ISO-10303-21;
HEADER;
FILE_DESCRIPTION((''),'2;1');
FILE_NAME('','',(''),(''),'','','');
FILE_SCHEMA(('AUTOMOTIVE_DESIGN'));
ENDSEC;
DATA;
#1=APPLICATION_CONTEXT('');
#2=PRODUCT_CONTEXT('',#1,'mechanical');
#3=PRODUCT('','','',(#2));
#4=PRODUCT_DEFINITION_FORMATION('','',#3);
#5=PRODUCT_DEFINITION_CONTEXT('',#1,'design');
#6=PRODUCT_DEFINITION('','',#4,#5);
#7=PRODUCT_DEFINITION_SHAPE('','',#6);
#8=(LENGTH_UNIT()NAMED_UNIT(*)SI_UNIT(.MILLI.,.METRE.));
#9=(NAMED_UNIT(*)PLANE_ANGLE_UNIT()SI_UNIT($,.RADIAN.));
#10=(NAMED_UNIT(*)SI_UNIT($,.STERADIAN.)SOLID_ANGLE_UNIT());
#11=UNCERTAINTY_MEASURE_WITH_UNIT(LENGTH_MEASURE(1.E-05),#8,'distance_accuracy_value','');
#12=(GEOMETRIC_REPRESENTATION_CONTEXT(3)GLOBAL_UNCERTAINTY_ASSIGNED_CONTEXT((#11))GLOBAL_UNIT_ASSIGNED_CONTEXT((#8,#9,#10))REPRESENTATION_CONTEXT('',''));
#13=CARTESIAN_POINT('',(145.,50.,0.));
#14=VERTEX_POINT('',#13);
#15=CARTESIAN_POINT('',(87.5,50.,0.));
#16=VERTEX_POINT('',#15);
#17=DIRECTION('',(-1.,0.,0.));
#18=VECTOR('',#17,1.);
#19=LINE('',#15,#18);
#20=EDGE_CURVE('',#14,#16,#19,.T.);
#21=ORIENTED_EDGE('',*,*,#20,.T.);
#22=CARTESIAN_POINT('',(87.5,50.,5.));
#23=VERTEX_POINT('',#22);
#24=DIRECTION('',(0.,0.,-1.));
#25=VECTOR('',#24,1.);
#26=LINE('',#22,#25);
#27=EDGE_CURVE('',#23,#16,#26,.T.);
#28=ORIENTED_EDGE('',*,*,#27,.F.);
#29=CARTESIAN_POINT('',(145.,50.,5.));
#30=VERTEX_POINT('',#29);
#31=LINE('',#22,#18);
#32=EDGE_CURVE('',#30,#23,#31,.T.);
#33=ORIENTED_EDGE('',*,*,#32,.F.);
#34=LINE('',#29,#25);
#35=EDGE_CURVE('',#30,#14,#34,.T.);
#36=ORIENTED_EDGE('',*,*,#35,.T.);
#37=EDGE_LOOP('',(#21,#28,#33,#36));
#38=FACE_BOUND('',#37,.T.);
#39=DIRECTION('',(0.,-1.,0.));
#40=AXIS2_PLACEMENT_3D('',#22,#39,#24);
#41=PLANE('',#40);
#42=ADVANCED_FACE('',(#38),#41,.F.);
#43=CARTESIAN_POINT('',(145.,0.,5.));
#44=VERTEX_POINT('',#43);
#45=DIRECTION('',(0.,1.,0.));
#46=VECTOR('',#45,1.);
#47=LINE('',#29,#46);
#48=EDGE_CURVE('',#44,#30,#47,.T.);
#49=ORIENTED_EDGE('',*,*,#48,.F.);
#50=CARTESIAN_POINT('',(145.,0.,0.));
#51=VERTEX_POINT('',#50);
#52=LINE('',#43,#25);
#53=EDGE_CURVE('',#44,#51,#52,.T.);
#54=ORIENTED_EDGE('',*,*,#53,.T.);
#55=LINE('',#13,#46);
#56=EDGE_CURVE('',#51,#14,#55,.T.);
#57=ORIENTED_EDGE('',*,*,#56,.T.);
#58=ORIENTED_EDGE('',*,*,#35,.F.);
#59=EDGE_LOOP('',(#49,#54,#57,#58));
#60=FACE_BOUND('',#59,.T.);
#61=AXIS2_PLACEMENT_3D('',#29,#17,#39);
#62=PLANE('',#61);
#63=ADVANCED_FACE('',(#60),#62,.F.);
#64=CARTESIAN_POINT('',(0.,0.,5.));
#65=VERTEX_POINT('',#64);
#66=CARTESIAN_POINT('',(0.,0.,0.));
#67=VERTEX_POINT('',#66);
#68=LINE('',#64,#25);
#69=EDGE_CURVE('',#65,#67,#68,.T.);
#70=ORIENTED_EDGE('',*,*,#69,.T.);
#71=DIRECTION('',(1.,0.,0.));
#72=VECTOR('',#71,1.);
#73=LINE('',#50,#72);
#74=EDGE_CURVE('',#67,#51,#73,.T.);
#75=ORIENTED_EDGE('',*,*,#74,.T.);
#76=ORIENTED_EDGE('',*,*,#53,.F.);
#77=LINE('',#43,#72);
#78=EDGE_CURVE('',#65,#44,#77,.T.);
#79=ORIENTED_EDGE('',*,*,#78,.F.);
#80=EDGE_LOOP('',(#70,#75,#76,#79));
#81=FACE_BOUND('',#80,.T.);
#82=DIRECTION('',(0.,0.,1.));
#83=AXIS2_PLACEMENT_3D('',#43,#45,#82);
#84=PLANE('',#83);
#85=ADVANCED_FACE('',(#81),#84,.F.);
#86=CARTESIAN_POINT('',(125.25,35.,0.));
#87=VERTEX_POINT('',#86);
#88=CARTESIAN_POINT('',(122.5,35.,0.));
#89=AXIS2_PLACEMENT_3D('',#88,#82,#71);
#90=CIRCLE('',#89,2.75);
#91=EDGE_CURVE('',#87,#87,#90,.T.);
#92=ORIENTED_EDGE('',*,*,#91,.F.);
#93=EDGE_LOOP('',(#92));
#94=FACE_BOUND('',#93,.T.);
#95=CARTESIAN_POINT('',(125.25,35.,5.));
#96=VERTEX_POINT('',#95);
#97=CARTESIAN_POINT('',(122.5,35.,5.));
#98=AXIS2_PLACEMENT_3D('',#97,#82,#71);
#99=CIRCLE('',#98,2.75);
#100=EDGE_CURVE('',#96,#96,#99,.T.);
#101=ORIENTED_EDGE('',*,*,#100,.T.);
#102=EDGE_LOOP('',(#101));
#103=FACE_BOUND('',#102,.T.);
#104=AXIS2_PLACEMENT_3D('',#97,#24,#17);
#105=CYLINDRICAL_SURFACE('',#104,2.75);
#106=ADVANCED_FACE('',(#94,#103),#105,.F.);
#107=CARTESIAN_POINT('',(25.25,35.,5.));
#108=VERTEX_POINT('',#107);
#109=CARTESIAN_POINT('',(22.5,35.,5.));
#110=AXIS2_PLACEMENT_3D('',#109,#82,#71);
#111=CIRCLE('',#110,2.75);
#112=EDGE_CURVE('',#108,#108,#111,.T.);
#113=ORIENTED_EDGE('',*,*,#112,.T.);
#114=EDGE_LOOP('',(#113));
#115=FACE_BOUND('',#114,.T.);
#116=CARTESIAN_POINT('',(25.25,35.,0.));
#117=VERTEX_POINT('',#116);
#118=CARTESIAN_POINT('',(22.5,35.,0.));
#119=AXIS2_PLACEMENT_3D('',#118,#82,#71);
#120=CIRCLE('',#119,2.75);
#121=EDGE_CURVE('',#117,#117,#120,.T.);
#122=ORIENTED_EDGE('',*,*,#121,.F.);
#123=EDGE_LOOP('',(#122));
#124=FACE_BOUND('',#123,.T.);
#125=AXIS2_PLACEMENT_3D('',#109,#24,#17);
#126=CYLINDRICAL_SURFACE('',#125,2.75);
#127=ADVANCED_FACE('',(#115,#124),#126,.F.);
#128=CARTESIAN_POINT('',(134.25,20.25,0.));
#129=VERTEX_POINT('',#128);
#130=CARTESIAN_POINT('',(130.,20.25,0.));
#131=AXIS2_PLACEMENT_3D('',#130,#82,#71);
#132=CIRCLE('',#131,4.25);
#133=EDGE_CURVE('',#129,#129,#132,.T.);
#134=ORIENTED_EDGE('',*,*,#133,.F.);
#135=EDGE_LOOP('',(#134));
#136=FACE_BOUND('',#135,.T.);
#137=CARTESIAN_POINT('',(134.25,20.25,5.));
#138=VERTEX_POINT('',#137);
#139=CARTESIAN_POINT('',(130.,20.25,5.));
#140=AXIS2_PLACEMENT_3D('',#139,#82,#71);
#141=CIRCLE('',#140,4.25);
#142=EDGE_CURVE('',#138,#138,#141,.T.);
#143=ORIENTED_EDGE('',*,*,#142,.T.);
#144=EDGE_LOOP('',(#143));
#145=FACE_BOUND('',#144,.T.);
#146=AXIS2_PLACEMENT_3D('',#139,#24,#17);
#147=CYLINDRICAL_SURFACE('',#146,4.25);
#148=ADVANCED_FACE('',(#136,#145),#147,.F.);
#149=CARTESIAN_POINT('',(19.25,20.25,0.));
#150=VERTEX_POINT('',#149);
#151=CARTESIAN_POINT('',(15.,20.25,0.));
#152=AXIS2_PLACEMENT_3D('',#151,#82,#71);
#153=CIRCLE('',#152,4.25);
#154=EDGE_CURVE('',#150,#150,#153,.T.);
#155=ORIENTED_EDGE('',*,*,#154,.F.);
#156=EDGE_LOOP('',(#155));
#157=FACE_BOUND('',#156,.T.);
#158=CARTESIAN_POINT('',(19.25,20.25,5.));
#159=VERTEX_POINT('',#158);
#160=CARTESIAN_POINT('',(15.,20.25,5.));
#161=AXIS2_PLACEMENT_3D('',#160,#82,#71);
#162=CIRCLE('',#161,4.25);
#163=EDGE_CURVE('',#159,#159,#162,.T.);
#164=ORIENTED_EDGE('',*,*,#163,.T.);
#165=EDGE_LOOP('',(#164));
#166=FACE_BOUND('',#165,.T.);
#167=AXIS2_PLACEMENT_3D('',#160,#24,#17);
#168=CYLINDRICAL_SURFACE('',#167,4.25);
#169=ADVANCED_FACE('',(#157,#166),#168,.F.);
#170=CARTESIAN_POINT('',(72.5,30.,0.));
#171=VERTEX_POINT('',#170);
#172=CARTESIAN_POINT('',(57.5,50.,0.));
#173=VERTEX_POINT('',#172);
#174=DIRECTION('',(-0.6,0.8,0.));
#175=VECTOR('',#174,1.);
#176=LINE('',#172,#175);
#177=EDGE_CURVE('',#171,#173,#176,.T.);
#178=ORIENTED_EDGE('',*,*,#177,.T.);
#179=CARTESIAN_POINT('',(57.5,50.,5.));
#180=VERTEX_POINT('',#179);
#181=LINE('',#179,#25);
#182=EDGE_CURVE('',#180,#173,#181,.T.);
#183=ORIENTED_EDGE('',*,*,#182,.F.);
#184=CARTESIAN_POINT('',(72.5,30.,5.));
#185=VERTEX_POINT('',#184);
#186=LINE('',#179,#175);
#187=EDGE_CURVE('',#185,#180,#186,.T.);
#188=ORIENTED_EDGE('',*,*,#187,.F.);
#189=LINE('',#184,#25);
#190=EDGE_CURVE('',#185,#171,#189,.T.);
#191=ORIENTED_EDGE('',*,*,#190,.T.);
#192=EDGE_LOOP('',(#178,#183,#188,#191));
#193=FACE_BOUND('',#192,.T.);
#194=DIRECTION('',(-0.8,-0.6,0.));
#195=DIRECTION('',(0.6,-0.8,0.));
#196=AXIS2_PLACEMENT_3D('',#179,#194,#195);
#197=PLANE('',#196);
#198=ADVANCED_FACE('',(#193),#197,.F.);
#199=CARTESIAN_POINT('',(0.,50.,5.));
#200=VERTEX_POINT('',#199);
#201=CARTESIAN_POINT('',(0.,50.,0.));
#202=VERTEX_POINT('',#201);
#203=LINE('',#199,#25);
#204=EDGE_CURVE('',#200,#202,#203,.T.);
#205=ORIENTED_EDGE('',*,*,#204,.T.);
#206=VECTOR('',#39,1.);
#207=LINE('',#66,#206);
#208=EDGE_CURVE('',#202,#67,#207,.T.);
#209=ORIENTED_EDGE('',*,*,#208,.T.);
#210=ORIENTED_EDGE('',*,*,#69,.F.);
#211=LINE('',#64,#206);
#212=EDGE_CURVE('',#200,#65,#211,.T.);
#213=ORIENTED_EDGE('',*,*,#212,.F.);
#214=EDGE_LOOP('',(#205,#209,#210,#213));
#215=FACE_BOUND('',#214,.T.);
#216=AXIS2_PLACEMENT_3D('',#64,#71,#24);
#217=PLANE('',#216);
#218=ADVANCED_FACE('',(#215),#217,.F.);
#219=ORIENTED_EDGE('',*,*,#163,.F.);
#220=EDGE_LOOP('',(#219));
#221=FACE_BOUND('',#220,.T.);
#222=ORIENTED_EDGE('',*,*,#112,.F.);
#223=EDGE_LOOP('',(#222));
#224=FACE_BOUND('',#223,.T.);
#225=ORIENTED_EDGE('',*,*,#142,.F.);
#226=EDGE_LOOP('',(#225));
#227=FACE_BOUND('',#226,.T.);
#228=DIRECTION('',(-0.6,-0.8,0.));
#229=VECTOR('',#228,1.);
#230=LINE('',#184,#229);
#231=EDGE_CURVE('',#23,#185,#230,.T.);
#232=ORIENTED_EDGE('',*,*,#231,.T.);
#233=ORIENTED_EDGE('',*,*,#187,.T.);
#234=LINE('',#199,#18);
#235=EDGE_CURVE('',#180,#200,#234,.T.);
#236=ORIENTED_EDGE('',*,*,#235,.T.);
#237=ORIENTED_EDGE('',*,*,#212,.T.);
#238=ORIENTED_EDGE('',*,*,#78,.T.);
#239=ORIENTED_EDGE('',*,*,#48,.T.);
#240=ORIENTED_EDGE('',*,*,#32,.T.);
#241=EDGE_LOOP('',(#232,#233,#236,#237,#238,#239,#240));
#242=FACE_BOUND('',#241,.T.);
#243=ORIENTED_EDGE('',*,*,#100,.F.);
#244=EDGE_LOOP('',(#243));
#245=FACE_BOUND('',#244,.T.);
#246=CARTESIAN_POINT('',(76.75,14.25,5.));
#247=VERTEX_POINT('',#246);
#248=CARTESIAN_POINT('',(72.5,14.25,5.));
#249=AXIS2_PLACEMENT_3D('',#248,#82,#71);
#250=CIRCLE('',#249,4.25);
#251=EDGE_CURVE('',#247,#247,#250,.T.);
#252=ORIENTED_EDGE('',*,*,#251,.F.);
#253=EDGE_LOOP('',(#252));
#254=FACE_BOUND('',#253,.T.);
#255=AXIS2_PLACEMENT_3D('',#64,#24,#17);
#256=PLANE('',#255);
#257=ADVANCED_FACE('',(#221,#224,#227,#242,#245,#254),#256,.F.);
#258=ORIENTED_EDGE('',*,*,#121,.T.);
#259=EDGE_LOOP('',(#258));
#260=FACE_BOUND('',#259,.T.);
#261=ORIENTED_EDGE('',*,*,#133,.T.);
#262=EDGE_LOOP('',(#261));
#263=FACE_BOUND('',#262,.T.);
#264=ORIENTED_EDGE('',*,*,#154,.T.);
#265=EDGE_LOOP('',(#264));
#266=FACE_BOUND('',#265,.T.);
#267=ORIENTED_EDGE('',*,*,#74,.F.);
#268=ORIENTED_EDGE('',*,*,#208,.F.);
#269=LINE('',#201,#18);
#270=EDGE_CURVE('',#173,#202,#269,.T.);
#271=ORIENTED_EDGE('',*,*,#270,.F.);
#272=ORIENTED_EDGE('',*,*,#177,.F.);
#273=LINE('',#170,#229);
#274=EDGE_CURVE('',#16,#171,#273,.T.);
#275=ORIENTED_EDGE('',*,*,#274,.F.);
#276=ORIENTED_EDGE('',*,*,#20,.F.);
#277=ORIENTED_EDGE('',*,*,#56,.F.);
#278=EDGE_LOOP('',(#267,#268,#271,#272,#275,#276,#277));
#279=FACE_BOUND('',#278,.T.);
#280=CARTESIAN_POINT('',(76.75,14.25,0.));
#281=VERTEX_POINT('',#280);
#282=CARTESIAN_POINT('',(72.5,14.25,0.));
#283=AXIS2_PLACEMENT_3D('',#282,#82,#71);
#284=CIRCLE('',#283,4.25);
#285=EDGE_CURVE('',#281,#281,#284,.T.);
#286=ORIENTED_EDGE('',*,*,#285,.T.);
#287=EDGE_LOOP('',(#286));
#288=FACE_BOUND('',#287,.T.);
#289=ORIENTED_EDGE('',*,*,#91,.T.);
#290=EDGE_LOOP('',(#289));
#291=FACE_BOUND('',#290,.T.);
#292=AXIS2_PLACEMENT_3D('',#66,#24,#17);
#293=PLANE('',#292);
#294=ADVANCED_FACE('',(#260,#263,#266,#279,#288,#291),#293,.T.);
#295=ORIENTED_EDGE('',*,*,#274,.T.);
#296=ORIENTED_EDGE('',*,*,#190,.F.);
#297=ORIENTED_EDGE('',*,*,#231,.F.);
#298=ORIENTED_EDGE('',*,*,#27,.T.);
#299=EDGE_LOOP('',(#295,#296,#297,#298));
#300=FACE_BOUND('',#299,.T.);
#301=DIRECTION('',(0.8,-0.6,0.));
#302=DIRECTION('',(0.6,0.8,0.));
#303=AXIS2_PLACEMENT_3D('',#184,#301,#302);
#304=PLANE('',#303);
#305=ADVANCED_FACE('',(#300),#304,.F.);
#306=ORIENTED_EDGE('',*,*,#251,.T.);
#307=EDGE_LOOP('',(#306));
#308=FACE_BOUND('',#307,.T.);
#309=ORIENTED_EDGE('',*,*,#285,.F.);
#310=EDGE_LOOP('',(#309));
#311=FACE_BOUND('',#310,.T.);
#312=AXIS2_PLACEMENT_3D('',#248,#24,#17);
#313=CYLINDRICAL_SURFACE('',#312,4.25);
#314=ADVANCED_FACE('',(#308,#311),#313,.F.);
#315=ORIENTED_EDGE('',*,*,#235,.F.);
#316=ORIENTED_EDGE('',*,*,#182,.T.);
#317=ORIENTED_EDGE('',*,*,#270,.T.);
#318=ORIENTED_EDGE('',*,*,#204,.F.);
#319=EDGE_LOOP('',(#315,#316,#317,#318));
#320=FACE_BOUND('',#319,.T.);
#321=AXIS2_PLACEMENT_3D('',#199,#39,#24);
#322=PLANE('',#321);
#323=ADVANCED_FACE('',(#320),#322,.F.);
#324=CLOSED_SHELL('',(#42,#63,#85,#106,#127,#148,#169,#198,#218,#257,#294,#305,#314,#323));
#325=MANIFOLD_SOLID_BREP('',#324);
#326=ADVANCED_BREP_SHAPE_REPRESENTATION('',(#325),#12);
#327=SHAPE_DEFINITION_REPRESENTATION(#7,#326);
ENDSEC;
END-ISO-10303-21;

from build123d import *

# Parameters (mm, degrees)
SKETCH1_R           = 4.25
SKETCH1_R_2         = 2.75
BOSS_EXTRUDE1_DEPTH = 5


with BuildPart() as part:
    # Sketch1 → Boss-Extrude1 (new body)
    with BuildSketch(Plane.XY):
        Polygon((0, 0), (0, 50), (57.5, 50), (72.5, 30), (87.5, 50), (145, 50), (145, 0), align=None)
        with Locations((15, 20.25)):
            Circle(SKETCH1_R, mode=Mode.SUBTRACT)
        with Locations((130, 20.25)):
            Circle(SKETCH1_R, mode=Mode.SUBTRACT)
        with Locations((72.5, 14.25)):
            Circle(SKETCH1_R, mode=Mode.SUBTRACT)
        with Locations((22.5, 35)):
            Circle(SKETCH1_R_2, mode=Mode.SUBTRACT)
        with Locations((122.5, 35)):
            Circle(SKETCH1_R_2, mode=Mode.SUBTRACT)
    extrude(amount=BOSS_EXTRUDE1_DEPTH)


solid = part.part
